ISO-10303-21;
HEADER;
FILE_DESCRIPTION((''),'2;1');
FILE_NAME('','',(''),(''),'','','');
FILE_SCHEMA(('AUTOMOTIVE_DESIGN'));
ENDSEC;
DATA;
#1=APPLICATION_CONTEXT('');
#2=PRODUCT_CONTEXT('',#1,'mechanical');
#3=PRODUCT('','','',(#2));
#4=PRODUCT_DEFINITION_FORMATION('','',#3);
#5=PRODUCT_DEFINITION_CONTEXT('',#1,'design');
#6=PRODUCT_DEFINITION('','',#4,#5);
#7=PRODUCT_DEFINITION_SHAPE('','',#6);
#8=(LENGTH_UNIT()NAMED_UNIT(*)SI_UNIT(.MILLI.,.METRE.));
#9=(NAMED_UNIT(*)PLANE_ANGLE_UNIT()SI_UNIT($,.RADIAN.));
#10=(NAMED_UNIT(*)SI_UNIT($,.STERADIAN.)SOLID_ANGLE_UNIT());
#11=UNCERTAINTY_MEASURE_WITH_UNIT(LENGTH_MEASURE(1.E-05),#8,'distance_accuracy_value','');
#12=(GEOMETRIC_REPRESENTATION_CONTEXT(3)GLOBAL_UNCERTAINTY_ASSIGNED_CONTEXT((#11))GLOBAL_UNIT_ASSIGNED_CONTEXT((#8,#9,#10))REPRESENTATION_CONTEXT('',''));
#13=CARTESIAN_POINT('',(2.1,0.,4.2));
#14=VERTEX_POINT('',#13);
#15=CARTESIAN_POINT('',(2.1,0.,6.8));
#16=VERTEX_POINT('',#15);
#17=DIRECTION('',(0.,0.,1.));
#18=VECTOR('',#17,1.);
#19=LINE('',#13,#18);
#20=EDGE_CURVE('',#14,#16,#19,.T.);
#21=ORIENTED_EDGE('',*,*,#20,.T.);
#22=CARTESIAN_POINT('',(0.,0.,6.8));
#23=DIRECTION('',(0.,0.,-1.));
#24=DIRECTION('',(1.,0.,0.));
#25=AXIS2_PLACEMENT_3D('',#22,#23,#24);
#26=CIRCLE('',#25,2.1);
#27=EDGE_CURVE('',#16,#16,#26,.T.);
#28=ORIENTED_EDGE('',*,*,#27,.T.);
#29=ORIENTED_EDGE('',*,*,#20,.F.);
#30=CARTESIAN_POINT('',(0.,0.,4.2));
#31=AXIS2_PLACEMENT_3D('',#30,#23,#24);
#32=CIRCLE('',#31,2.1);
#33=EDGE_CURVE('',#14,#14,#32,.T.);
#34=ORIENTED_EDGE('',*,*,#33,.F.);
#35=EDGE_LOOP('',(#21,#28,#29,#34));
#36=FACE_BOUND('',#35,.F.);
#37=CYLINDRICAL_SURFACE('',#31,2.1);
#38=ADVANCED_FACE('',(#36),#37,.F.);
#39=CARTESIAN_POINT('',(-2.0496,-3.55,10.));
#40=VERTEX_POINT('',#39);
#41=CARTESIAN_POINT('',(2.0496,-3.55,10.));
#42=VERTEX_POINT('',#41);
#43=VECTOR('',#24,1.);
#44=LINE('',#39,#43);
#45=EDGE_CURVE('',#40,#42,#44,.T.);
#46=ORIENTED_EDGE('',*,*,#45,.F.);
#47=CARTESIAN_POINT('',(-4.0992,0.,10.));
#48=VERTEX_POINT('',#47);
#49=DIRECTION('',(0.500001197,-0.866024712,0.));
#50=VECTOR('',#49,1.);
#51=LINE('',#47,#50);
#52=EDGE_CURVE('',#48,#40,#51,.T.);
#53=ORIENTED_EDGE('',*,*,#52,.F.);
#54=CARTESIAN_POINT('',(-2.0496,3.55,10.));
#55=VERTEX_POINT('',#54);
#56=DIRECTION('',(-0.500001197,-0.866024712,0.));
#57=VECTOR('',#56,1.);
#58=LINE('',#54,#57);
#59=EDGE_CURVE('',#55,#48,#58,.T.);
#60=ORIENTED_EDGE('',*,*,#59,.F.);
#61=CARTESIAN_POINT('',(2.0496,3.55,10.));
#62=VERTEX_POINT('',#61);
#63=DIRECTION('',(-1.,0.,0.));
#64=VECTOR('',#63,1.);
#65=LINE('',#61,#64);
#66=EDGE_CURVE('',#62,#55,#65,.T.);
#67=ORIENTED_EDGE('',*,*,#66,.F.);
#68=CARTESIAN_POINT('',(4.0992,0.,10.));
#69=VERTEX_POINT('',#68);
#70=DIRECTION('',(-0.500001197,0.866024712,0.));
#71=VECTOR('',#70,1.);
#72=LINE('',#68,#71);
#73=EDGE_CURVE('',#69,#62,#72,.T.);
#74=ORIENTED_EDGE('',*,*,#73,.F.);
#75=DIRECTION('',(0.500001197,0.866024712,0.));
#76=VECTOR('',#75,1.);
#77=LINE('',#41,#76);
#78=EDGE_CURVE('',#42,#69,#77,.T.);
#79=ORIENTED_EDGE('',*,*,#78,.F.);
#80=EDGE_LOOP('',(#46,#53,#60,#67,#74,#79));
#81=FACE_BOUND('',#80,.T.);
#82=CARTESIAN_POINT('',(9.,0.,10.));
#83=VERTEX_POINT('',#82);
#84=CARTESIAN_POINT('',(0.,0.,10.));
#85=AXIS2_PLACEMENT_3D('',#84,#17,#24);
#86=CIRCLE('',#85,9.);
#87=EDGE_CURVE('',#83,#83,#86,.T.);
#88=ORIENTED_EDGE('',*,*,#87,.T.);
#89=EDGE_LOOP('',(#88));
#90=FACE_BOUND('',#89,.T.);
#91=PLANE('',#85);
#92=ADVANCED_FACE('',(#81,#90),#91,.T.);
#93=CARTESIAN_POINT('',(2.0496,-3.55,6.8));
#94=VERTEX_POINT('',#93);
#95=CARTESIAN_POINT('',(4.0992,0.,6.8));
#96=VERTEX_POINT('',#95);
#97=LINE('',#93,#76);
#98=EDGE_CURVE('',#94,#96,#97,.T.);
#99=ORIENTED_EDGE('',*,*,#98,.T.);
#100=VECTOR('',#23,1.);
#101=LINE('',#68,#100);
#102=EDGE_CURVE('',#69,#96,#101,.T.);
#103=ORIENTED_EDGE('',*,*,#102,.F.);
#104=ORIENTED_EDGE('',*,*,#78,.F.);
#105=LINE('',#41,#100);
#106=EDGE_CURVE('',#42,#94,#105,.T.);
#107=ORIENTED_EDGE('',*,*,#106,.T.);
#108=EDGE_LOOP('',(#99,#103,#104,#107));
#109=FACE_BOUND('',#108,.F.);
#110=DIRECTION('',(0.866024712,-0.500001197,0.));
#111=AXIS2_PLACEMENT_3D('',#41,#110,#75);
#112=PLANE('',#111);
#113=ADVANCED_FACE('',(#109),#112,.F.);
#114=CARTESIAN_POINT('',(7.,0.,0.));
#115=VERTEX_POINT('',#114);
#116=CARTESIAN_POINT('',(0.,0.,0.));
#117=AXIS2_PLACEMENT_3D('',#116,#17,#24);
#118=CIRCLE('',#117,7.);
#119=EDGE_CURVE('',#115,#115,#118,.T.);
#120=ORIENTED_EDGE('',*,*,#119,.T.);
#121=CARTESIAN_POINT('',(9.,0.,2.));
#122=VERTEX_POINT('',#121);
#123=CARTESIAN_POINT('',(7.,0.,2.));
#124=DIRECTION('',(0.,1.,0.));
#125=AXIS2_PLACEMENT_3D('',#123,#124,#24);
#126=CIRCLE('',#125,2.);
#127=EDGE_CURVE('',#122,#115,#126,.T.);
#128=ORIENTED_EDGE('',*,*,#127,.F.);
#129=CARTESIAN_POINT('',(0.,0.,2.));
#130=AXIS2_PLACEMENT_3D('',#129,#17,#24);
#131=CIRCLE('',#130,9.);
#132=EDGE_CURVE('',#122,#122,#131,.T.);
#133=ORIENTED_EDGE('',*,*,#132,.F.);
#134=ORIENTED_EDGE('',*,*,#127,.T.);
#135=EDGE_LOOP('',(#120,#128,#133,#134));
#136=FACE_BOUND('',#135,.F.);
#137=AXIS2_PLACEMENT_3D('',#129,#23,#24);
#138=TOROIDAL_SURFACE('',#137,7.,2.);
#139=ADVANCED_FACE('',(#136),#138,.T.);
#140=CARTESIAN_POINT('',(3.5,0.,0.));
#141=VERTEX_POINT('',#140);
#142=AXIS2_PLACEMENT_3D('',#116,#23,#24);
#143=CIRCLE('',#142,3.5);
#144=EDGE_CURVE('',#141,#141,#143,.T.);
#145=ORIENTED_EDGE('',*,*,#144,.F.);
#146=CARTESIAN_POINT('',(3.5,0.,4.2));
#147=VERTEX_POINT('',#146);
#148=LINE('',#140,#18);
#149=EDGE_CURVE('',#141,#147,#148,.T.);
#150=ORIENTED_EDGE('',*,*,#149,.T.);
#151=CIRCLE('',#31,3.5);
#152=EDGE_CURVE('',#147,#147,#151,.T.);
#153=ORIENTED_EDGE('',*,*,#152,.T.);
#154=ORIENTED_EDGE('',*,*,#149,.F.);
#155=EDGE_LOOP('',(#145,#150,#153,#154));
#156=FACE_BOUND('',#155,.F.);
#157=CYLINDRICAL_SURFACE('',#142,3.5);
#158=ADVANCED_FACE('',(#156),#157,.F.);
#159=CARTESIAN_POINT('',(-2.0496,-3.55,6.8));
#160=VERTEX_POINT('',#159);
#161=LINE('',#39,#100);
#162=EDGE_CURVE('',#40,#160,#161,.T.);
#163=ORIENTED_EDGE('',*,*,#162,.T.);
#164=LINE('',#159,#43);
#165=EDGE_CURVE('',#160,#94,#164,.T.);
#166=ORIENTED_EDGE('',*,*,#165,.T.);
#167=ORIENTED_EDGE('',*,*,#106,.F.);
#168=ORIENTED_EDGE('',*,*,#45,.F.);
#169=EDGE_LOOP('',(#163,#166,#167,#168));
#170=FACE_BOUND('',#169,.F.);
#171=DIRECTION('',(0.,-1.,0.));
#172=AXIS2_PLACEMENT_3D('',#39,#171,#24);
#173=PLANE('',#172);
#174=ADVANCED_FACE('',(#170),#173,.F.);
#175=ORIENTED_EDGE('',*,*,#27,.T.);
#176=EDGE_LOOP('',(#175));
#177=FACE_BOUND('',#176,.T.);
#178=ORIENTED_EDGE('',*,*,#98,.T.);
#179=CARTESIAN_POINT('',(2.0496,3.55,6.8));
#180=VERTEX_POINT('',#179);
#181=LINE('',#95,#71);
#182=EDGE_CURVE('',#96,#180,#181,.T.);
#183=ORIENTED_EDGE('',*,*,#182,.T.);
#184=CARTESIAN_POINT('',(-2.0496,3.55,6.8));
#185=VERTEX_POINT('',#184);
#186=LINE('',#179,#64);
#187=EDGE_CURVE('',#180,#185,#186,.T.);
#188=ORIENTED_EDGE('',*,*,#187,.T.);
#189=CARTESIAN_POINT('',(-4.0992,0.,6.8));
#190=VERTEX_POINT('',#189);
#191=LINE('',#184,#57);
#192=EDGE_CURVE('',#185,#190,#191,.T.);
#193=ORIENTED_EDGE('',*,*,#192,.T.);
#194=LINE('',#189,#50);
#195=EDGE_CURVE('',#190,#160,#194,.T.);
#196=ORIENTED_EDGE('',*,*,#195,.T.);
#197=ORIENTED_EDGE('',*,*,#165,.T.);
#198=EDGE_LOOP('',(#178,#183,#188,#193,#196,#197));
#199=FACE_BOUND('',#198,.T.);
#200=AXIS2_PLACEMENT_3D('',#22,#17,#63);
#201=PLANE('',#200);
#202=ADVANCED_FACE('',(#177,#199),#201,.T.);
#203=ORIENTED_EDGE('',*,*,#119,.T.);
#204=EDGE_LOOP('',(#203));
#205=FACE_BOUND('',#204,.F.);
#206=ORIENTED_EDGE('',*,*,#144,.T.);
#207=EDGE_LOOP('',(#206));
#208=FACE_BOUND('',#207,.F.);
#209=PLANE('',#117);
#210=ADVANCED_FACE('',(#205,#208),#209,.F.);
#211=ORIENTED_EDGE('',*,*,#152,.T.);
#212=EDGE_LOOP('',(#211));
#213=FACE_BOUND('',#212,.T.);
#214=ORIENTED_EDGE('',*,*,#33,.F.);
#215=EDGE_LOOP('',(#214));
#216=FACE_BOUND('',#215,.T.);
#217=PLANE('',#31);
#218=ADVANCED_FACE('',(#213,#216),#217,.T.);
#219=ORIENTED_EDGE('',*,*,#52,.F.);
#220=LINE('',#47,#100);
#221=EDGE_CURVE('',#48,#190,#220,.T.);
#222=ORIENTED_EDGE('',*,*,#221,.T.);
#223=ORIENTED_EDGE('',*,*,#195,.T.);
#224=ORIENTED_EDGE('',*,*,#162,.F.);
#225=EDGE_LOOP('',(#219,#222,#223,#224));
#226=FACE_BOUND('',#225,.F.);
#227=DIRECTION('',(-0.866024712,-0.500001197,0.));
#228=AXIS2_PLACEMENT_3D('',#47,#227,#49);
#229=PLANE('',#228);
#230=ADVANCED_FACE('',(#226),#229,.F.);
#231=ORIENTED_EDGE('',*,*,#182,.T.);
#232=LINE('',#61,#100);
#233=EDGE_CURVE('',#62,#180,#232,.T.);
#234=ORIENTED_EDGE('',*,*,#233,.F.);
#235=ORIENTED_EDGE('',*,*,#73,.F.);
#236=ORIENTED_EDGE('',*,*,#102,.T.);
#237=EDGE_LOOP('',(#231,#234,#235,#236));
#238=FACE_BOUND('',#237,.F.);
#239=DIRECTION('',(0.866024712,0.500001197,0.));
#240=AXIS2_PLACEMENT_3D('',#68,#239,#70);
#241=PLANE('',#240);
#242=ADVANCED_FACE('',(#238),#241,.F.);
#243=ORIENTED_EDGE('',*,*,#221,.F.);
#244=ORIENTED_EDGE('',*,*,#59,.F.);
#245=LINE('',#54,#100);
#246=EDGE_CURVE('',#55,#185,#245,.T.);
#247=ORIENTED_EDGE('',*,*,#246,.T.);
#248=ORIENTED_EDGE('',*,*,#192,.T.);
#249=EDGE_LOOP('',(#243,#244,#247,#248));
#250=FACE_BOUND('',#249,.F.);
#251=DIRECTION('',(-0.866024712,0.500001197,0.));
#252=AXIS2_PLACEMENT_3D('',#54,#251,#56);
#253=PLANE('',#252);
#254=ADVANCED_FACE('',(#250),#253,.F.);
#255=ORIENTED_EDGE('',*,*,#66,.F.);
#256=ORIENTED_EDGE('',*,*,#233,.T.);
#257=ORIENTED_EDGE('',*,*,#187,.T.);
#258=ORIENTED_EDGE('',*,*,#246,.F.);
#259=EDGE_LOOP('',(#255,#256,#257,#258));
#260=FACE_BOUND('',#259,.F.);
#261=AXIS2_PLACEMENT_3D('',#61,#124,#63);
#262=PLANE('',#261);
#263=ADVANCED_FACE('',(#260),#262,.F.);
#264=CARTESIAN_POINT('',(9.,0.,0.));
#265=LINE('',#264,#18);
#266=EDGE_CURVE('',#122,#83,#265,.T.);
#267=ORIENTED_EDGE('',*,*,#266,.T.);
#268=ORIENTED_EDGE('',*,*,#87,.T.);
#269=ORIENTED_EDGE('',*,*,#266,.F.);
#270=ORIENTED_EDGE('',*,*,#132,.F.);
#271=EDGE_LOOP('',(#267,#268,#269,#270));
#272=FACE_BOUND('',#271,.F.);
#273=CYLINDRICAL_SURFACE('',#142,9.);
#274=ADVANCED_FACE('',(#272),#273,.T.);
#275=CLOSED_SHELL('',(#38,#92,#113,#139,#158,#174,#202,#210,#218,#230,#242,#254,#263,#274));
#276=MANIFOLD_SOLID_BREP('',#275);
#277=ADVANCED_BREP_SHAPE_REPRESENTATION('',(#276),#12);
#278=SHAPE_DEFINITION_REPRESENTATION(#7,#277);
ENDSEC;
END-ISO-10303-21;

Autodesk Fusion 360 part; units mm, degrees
ref_plane "WorkPlane1" through (0, 0, 0) normal (0, 0, 1) x (1, 0, 0)
sketch "Sketch1" plane through (0, 0, 0) normal (0, 0, 1) x (1, 0, 0)
  circle A0 centre (0, 0) radius 9
  dimension "d2" = 18
extrude "Extrude1" add sketch "Sketch1" along normal blind 10
sketch "Sketch2" plane through (0, 0, 10) normal (0, 0, 1) x (-1, 0, 0)
  circle A0 centre (0, 0) radius 9
  line L0 (-2.0496, -3.55) -> (2.0496, -3.55)
  line L1 (2.0496, -3.55) -> (4.0992, 0)
  line L2 (4.0992, 0) -> (2.0496, 3.55)
  line L3 (2.0496, 3.55) -> (-2.0496, 3.55)
  line L4 (-2.0496, 3.55) -> (-4.0992, 0)
  line L5 (-4.0992, 0) -> (-2.0496, -3.55)
  dimension "d5" = 3.55
extrude "Extrude2" cut sketch "Sketch2" against normal blind 3.2 contours L0 L1 L2 L3 L4 L5
sketch "Sketch3" plane through (0, 0, 0) normal (0, 0, -1) x (1, 0, 0)
  circle A0 centre (0, 0) radius 9
  circle A1 centre (0, 0) radius 3.5
  dimension "d8" = 7
extrude "Extrude3" cut sketch "Sketch3" against normal blind 4.2 contours A1
sketch "Sketch4" plane through (0, 0, 4.2) normal (0, 0, -1) x (1, 0, 0)
  circle A0 centre (0, 0) radius 3.5
  circle A1 centre (0, 0) radius 2.1
  dimension "d11" = 4.2
extrude "Extrude4" cut sketch "Sketch4" against normal up to surface (2.6 mm away) contours A1
fillet "Fillet1" radius 2 1 edges at (-8.3909, -3.2545, 0)
equation "d5 = ( 7.1 / 2 ) * 1 mm"
